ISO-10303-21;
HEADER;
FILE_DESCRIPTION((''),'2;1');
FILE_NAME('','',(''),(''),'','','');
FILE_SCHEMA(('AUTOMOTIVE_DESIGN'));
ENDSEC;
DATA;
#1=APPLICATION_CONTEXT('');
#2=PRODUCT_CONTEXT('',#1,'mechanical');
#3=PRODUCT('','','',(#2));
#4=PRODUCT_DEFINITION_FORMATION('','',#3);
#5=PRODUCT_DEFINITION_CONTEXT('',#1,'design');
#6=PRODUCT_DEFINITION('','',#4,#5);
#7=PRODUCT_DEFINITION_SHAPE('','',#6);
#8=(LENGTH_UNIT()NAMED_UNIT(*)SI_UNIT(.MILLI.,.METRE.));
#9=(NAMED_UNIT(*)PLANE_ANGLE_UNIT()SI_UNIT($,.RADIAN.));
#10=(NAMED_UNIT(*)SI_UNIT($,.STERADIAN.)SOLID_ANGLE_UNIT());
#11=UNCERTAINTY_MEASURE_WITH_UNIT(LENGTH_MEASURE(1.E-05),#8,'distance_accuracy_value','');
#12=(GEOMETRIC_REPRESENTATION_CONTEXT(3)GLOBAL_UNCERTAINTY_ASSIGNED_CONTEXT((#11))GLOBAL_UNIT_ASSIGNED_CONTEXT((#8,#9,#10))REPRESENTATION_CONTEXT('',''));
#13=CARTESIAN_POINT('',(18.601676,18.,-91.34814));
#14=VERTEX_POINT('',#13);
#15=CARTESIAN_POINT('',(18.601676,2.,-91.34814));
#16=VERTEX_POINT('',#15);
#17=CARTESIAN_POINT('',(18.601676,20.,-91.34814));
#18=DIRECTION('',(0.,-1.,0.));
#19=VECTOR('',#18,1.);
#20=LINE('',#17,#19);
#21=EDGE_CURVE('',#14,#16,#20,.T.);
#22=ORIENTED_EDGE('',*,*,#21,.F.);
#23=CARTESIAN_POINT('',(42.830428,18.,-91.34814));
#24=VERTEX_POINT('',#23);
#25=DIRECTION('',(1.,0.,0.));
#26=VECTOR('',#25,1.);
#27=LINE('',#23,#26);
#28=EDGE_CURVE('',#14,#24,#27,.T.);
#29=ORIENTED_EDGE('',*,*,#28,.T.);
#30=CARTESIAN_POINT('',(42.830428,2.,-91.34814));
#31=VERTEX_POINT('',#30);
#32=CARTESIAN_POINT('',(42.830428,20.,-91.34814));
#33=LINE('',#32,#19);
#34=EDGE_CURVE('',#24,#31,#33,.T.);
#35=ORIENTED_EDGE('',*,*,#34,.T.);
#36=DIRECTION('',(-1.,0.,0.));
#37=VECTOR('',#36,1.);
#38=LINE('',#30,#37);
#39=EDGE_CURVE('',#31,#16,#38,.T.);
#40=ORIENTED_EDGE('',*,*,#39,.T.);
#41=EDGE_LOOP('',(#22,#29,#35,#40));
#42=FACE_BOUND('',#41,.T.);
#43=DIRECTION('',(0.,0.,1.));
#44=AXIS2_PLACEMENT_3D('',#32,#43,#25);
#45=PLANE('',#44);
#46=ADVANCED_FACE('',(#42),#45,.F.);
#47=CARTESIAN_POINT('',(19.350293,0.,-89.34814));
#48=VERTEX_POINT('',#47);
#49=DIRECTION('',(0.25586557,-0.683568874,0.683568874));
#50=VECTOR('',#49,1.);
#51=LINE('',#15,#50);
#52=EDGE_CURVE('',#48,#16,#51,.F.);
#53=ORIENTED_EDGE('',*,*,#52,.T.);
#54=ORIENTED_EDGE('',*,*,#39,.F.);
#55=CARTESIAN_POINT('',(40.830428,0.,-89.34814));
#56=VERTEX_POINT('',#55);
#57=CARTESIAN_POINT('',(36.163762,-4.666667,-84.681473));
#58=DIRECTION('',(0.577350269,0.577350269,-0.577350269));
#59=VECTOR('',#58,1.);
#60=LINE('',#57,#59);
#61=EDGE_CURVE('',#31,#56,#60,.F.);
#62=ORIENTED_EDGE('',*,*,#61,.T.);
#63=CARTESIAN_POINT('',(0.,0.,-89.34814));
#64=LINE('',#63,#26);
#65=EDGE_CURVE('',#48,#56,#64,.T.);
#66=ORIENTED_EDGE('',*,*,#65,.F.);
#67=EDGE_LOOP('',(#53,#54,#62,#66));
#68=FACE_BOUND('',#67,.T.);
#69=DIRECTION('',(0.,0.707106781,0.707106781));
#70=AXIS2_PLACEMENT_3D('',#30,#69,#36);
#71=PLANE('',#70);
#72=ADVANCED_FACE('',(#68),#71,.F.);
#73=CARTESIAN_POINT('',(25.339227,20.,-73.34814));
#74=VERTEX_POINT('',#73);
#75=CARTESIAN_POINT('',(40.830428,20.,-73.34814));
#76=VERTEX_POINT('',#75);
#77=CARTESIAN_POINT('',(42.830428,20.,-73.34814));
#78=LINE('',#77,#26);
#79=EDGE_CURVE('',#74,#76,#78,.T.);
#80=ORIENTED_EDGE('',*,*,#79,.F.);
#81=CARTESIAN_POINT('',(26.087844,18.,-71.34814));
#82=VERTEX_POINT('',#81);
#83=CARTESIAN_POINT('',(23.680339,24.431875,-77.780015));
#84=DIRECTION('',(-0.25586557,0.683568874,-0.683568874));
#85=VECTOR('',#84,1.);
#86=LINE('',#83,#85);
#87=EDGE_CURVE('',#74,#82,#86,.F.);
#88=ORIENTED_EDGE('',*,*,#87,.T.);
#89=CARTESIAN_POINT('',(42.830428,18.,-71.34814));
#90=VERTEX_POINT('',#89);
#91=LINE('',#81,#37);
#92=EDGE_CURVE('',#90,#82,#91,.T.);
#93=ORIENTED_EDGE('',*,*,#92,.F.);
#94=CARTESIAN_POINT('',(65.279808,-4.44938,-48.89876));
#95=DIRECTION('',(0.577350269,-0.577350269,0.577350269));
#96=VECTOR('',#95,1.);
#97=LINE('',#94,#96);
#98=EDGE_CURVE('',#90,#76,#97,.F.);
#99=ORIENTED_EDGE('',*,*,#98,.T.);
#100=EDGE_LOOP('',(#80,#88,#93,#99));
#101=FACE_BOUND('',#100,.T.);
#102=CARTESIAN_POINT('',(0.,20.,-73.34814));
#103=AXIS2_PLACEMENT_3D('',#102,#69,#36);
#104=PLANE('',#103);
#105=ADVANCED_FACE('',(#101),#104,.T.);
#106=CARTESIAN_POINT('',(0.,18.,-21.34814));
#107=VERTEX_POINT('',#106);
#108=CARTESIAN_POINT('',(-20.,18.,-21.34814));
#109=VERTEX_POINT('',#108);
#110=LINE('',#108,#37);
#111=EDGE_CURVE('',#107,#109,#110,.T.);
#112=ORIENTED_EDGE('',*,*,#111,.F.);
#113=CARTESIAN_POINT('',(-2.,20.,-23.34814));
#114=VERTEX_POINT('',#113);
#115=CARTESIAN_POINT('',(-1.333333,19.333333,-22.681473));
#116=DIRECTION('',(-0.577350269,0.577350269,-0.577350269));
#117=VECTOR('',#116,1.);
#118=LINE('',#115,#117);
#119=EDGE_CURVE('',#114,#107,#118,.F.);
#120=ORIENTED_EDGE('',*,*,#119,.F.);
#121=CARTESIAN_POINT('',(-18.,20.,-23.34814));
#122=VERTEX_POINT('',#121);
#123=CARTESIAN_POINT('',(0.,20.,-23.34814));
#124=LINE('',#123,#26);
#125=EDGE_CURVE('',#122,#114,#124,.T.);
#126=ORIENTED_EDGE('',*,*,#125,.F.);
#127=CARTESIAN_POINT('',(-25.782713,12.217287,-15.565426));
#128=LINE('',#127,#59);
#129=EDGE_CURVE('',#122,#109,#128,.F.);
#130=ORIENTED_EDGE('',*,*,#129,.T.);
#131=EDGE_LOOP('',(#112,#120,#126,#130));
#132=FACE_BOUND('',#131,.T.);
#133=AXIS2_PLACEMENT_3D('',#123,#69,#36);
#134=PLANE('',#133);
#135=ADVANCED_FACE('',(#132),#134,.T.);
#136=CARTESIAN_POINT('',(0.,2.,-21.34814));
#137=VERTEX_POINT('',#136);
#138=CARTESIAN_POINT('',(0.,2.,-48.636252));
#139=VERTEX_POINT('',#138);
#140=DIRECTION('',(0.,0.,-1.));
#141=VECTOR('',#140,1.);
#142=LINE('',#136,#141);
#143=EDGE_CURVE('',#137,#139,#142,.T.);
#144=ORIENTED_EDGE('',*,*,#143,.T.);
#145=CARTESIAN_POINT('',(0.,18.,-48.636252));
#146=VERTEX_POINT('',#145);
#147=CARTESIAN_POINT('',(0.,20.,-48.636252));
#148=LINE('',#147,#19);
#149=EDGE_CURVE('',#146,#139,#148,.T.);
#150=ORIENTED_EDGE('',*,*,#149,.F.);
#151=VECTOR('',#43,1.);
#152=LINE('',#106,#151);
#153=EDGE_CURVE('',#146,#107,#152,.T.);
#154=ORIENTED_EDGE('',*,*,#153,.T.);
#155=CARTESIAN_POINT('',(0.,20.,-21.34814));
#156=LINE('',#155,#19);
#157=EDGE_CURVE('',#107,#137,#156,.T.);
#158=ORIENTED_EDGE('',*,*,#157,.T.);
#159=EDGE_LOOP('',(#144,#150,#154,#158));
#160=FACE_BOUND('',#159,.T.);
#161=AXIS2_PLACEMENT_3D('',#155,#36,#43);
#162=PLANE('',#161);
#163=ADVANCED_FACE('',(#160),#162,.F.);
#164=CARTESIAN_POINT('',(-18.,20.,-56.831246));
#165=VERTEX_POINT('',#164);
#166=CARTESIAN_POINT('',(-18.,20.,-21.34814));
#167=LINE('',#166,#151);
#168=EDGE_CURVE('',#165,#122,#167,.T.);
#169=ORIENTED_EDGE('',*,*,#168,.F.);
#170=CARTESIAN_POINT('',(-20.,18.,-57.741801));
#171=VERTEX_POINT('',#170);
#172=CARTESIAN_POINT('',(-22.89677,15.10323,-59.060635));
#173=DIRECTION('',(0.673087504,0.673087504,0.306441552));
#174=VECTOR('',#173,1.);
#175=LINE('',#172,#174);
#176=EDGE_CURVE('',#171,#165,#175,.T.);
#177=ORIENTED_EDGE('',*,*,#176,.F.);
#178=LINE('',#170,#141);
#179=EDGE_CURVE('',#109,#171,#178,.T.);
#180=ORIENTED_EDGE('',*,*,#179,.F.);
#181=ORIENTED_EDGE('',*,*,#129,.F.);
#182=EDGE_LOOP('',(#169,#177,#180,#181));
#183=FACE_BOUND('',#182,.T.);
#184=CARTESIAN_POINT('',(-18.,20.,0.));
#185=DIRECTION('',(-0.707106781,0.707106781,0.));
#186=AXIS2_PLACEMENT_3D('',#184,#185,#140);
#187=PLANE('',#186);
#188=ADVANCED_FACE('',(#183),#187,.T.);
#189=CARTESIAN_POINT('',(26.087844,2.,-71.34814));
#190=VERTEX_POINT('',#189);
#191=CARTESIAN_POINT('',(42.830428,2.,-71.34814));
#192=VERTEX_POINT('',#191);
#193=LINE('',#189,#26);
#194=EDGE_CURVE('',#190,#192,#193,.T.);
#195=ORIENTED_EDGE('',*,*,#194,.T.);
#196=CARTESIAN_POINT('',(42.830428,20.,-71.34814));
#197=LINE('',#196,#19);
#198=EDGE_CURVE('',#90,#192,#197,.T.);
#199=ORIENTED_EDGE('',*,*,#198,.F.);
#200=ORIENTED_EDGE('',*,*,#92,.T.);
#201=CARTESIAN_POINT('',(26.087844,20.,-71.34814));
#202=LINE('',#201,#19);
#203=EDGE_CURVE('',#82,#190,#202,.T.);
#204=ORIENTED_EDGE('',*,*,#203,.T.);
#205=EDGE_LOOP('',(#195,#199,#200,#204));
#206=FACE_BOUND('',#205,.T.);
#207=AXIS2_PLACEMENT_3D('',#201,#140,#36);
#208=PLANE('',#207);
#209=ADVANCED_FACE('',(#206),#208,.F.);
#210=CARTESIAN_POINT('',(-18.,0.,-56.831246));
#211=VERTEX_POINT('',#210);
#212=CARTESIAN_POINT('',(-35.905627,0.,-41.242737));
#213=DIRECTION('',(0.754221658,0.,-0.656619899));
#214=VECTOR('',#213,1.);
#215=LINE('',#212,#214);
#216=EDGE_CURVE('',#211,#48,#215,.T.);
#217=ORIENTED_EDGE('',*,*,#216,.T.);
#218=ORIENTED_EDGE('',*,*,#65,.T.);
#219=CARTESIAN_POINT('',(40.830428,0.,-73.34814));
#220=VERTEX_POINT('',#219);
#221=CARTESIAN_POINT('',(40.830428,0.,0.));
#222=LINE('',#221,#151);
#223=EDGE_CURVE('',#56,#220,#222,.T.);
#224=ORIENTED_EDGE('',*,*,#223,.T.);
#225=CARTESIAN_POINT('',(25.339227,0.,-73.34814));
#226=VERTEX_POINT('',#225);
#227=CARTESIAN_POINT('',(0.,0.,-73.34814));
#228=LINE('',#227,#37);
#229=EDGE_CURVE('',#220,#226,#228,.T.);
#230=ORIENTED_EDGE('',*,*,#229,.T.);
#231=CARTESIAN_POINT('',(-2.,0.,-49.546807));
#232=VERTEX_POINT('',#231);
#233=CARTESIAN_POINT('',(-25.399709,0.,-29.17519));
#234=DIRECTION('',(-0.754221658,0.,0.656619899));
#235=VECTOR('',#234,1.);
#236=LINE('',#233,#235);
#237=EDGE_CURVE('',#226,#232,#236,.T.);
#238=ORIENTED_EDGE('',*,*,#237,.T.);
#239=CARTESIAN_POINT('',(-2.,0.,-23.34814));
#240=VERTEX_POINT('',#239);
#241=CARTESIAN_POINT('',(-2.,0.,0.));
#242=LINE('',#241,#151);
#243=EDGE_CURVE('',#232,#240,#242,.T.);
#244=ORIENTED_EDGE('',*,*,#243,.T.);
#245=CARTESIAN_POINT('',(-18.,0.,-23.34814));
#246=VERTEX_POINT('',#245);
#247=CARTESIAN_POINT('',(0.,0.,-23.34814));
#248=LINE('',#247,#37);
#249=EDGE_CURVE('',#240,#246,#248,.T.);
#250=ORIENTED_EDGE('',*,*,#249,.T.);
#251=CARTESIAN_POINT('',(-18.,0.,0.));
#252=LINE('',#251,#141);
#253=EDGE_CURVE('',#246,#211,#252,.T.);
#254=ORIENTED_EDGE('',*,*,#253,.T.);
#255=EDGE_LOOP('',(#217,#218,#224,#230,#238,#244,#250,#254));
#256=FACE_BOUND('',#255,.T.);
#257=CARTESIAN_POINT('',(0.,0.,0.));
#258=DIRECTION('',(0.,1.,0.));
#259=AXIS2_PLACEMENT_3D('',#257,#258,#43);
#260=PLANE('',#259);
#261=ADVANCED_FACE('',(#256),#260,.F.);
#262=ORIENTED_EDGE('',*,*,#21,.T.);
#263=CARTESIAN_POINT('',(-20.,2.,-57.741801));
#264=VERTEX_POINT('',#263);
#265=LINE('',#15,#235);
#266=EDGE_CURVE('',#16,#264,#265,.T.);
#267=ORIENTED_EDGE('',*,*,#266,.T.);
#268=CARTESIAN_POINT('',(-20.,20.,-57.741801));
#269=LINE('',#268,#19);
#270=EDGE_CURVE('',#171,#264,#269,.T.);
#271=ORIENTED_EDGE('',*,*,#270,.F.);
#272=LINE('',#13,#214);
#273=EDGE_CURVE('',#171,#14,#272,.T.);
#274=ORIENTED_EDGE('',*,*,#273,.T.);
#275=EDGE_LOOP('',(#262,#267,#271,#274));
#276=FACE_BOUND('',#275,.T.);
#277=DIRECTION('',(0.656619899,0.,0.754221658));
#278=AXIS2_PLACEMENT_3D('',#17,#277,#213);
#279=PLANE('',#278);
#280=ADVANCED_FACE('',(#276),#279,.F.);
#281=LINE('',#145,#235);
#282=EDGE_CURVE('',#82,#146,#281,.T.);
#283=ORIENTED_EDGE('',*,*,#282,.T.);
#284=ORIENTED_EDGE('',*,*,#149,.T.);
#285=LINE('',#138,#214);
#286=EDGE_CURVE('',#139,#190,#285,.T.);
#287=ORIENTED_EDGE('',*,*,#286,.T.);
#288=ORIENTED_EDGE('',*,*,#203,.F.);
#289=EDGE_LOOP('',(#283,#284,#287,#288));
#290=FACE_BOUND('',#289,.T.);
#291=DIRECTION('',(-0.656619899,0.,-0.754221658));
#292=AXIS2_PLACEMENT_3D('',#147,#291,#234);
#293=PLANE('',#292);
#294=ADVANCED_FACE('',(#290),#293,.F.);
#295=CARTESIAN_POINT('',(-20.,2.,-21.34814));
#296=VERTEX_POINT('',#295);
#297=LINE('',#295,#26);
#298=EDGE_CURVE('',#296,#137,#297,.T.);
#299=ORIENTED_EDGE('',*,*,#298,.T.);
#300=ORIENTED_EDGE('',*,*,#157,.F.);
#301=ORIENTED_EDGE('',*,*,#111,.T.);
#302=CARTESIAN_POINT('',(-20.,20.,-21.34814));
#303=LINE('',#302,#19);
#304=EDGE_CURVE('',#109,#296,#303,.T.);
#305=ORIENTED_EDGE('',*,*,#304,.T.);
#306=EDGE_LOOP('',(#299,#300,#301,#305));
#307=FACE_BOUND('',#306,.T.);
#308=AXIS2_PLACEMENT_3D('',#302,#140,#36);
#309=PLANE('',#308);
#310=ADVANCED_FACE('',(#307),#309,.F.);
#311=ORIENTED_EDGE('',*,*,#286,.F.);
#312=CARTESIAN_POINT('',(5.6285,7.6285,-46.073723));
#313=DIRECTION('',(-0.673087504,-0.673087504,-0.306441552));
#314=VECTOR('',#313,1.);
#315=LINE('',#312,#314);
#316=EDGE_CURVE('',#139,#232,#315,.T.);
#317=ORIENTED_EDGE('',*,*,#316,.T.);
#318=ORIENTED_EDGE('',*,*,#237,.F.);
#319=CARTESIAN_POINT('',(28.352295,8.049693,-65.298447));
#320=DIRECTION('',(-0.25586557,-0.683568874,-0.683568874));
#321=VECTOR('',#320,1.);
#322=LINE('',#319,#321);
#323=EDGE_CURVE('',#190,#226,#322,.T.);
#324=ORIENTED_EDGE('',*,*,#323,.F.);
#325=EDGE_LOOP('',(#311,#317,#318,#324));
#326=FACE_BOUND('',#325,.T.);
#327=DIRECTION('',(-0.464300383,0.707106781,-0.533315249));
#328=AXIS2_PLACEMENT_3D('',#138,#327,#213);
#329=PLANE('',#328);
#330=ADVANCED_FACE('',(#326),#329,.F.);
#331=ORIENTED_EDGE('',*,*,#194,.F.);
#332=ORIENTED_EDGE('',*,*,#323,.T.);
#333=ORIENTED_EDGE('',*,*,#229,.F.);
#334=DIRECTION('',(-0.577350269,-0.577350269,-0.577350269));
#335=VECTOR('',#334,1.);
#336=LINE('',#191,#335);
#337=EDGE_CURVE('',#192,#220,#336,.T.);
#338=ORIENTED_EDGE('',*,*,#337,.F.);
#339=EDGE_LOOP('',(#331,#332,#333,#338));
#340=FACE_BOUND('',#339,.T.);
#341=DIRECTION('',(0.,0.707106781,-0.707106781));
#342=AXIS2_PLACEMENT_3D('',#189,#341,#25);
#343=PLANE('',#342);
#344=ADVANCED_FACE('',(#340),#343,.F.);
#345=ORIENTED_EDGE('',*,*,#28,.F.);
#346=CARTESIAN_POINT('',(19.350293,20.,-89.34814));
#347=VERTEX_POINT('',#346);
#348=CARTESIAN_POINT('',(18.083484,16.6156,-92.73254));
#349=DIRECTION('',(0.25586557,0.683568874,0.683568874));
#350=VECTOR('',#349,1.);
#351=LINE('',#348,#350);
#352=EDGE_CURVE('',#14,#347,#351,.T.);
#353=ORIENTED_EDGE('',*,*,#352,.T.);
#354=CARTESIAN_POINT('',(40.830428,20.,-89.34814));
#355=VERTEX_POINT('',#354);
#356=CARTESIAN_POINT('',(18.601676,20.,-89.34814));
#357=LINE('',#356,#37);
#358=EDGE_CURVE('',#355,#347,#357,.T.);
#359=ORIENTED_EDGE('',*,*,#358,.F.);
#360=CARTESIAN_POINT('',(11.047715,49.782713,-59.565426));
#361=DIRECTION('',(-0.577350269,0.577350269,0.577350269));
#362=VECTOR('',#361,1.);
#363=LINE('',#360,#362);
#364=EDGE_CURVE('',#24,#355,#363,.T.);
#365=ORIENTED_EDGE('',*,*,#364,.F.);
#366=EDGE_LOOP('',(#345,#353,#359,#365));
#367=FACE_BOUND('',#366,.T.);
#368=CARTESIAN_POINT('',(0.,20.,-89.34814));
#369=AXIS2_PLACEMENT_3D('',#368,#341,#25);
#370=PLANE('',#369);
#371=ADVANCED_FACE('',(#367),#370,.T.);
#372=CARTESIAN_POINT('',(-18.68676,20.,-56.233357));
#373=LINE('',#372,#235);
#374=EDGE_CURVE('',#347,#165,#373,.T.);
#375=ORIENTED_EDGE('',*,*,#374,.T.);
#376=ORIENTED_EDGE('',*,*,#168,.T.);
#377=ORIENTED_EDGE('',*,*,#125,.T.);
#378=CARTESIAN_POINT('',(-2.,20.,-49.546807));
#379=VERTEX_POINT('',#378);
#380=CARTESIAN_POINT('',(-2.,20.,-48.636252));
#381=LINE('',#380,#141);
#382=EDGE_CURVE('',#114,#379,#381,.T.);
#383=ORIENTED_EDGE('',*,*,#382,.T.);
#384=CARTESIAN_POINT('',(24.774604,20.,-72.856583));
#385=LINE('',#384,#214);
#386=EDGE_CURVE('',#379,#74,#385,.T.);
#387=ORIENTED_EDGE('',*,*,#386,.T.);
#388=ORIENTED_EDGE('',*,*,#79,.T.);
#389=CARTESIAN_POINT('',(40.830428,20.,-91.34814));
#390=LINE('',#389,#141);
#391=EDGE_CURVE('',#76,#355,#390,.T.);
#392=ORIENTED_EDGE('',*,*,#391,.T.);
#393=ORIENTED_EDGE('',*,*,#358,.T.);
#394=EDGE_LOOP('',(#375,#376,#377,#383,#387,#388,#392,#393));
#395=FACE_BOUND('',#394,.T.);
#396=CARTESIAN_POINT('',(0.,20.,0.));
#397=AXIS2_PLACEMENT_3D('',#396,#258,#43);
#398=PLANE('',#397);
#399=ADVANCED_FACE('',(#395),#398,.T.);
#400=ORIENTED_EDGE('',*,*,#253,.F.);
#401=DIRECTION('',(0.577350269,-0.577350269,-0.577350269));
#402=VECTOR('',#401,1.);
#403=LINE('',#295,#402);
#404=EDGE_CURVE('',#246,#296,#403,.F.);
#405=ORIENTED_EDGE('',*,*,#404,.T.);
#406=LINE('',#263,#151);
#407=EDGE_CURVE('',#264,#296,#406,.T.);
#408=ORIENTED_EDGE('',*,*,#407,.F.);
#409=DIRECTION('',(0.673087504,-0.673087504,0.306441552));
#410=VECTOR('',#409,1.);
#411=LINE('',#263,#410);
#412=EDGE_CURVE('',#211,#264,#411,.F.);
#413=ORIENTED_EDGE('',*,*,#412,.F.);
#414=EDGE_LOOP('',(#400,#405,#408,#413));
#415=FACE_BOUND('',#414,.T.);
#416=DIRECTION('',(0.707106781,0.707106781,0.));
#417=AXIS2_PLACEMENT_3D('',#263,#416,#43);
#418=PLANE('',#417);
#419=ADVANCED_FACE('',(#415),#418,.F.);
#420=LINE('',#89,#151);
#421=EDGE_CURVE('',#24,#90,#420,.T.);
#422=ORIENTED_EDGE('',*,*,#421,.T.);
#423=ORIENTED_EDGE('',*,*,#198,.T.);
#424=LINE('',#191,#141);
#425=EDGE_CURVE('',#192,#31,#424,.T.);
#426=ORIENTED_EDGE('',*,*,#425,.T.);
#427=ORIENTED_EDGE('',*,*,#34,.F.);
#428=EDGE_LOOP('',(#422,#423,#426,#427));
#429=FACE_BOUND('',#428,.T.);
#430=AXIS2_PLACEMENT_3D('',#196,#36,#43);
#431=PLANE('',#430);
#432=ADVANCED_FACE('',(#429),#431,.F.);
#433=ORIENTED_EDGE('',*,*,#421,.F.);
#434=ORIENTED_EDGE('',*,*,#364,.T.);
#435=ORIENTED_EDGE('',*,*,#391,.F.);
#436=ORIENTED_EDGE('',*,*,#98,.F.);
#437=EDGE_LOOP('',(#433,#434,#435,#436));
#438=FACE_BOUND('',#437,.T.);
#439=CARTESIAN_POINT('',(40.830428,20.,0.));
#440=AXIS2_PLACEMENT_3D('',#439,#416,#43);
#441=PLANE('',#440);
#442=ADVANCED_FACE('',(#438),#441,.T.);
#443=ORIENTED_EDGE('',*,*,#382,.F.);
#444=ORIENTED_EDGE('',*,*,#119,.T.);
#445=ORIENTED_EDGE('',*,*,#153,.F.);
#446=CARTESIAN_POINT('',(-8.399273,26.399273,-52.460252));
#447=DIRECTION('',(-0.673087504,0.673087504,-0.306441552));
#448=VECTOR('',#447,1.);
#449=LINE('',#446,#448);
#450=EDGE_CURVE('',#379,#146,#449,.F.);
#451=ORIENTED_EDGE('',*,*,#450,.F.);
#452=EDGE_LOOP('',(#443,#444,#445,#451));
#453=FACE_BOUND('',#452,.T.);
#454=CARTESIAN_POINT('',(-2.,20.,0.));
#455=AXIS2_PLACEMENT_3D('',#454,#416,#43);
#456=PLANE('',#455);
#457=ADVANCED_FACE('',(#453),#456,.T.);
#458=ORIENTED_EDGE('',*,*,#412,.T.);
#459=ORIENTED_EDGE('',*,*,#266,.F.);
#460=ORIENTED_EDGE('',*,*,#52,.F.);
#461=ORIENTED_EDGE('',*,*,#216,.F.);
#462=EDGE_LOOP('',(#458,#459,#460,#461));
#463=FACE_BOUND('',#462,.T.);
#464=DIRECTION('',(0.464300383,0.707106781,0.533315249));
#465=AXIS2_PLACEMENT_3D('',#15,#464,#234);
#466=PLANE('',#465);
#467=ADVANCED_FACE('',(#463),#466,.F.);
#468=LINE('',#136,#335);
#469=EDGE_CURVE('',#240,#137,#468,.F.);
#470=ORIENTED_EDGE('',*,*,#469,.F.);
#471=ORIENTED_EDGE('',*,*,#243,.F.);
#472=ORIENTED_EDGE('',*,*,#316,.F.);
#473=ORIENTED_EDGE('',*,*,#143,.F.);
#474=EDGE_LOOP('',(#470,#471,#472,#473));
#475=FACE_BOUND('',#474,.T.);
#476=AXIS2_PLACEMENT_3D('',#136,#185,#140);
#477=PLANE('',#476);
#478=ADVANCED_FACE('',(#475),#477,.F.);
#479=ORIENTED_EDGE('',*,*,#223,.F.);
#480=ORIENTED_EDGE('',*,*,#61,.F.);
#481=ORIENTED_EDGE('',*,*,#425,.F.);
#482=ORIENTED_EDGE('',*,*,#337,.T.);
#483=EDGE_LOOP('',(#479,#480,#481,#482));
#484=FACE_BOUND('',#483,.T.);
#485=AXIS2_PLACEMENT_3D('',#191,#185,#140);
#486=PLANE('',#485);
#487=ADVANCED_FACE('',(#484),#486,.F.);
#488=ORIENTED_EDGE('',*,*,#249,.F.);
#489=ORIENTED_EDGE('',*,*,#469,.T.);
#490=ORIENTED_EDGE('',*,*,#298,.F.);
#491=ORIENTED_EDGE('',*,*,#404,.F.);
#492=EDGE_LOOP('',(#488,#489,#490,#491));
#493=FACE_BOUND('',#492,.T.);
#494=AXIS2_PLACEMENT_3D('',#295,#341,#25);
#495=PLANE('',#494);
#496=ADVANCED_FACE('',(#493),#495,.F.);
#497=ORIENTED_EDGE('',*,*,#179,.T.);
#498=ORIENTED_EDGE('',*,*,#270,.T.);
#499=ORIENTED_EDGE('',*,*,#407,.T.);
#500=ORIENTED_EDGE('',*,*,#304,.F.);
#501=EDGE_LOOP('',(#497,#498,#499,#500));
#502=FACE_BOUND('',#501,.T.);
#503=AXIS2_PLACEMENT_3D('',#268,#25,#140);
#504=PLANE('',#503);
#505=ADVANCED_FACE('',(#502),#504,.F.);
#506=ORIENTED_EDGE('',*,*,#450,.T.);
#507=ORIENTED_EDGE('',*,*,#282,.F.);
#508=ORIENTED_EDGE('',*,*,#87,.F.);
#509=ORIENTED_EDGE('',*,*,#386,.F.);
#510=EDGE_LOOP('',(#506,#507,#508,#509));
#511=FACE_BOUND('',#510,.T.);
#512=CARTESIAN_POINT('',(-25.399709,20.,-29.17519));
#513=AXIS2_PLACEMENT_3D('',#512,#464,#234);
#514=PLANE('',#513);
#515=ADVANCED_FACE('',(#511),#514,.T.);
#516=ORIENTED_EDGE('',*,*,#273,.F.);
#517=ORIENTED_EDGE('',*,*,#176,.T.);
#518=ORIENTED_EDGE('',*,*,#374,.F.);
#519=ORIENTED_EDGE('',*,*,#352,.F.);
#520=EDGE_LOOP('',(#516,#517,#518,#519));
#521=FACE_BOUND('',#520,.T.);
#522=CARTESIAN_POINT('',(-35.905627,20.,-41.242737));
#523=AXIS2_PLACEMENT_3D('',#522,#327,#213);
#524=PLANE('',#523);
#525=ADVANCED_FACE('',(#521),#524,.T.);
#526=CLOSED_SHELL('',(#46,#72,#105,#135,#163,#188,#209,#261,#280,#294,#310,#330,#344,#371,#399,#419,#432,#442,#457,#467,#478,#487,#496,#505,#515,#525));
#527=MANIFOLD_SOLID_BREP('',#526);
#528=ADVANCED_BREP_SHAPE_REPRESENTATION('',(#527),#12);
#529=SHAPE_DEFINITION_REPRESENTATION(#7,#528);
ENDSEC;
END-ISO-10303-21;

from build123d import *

# Parameters (mm, degrees)
BOSS_EXTRUDE1_DEPTH = 20
CHAMFER1_SIZE       = 2


with BuildPart() as part:
    # Sketch1 → Boss-Extrude1 (new body)
    with BuildSketch(Plane(origin=(0, 0, 0), x_dir=(1, 0, 0), z_dir=(0, 1, 0))):
        Polygon((42.830428459, 91.348139701), (18.601676139, 91.348139701), (-20, 57.741800753), (-20, 21.348139701), (0, 21.348139701), (0, 48.636252059), (26.0878441, 71.348139701), (42.830428459, 71.348139701), align=None)
    extrude(amount=BOSS_EXTRUDE1_DEPTH)

    # Chamfer1
    chamfer1_edges = [part.edges().sort_by_distance(p)[0] for p in [
        (-20, 0, -39.544970227),
        (-0.699161931, 0, -74.544970227),
        (30.716052299, 0, -91.348139701),
        (42.830428459, 0, -81.348139701),
        (-0.699161931, 20, -74.544970227),
        (-20, 20, -39.544970227),
        (-10, 20, -21.348139701),
        (0, 20, -34.99219588),
        (13.04392205, 20, -59.99219588),
        (34.459136279, 20, -71.348139701),
        (42.830428459, 20, -81.348139701),
        (34.459136279, 0, -71.348139701),
        (30.716052299, 20, -91.348139701),
        (13.04392205, 0, -59.99219588),
        (0, 0, -34.99219588),
        (-10, 0, -21.348139701),
    ]]
    chamfer(chamfer1_edges, length=CHAMFER1_SIZE)


solid = part.part
